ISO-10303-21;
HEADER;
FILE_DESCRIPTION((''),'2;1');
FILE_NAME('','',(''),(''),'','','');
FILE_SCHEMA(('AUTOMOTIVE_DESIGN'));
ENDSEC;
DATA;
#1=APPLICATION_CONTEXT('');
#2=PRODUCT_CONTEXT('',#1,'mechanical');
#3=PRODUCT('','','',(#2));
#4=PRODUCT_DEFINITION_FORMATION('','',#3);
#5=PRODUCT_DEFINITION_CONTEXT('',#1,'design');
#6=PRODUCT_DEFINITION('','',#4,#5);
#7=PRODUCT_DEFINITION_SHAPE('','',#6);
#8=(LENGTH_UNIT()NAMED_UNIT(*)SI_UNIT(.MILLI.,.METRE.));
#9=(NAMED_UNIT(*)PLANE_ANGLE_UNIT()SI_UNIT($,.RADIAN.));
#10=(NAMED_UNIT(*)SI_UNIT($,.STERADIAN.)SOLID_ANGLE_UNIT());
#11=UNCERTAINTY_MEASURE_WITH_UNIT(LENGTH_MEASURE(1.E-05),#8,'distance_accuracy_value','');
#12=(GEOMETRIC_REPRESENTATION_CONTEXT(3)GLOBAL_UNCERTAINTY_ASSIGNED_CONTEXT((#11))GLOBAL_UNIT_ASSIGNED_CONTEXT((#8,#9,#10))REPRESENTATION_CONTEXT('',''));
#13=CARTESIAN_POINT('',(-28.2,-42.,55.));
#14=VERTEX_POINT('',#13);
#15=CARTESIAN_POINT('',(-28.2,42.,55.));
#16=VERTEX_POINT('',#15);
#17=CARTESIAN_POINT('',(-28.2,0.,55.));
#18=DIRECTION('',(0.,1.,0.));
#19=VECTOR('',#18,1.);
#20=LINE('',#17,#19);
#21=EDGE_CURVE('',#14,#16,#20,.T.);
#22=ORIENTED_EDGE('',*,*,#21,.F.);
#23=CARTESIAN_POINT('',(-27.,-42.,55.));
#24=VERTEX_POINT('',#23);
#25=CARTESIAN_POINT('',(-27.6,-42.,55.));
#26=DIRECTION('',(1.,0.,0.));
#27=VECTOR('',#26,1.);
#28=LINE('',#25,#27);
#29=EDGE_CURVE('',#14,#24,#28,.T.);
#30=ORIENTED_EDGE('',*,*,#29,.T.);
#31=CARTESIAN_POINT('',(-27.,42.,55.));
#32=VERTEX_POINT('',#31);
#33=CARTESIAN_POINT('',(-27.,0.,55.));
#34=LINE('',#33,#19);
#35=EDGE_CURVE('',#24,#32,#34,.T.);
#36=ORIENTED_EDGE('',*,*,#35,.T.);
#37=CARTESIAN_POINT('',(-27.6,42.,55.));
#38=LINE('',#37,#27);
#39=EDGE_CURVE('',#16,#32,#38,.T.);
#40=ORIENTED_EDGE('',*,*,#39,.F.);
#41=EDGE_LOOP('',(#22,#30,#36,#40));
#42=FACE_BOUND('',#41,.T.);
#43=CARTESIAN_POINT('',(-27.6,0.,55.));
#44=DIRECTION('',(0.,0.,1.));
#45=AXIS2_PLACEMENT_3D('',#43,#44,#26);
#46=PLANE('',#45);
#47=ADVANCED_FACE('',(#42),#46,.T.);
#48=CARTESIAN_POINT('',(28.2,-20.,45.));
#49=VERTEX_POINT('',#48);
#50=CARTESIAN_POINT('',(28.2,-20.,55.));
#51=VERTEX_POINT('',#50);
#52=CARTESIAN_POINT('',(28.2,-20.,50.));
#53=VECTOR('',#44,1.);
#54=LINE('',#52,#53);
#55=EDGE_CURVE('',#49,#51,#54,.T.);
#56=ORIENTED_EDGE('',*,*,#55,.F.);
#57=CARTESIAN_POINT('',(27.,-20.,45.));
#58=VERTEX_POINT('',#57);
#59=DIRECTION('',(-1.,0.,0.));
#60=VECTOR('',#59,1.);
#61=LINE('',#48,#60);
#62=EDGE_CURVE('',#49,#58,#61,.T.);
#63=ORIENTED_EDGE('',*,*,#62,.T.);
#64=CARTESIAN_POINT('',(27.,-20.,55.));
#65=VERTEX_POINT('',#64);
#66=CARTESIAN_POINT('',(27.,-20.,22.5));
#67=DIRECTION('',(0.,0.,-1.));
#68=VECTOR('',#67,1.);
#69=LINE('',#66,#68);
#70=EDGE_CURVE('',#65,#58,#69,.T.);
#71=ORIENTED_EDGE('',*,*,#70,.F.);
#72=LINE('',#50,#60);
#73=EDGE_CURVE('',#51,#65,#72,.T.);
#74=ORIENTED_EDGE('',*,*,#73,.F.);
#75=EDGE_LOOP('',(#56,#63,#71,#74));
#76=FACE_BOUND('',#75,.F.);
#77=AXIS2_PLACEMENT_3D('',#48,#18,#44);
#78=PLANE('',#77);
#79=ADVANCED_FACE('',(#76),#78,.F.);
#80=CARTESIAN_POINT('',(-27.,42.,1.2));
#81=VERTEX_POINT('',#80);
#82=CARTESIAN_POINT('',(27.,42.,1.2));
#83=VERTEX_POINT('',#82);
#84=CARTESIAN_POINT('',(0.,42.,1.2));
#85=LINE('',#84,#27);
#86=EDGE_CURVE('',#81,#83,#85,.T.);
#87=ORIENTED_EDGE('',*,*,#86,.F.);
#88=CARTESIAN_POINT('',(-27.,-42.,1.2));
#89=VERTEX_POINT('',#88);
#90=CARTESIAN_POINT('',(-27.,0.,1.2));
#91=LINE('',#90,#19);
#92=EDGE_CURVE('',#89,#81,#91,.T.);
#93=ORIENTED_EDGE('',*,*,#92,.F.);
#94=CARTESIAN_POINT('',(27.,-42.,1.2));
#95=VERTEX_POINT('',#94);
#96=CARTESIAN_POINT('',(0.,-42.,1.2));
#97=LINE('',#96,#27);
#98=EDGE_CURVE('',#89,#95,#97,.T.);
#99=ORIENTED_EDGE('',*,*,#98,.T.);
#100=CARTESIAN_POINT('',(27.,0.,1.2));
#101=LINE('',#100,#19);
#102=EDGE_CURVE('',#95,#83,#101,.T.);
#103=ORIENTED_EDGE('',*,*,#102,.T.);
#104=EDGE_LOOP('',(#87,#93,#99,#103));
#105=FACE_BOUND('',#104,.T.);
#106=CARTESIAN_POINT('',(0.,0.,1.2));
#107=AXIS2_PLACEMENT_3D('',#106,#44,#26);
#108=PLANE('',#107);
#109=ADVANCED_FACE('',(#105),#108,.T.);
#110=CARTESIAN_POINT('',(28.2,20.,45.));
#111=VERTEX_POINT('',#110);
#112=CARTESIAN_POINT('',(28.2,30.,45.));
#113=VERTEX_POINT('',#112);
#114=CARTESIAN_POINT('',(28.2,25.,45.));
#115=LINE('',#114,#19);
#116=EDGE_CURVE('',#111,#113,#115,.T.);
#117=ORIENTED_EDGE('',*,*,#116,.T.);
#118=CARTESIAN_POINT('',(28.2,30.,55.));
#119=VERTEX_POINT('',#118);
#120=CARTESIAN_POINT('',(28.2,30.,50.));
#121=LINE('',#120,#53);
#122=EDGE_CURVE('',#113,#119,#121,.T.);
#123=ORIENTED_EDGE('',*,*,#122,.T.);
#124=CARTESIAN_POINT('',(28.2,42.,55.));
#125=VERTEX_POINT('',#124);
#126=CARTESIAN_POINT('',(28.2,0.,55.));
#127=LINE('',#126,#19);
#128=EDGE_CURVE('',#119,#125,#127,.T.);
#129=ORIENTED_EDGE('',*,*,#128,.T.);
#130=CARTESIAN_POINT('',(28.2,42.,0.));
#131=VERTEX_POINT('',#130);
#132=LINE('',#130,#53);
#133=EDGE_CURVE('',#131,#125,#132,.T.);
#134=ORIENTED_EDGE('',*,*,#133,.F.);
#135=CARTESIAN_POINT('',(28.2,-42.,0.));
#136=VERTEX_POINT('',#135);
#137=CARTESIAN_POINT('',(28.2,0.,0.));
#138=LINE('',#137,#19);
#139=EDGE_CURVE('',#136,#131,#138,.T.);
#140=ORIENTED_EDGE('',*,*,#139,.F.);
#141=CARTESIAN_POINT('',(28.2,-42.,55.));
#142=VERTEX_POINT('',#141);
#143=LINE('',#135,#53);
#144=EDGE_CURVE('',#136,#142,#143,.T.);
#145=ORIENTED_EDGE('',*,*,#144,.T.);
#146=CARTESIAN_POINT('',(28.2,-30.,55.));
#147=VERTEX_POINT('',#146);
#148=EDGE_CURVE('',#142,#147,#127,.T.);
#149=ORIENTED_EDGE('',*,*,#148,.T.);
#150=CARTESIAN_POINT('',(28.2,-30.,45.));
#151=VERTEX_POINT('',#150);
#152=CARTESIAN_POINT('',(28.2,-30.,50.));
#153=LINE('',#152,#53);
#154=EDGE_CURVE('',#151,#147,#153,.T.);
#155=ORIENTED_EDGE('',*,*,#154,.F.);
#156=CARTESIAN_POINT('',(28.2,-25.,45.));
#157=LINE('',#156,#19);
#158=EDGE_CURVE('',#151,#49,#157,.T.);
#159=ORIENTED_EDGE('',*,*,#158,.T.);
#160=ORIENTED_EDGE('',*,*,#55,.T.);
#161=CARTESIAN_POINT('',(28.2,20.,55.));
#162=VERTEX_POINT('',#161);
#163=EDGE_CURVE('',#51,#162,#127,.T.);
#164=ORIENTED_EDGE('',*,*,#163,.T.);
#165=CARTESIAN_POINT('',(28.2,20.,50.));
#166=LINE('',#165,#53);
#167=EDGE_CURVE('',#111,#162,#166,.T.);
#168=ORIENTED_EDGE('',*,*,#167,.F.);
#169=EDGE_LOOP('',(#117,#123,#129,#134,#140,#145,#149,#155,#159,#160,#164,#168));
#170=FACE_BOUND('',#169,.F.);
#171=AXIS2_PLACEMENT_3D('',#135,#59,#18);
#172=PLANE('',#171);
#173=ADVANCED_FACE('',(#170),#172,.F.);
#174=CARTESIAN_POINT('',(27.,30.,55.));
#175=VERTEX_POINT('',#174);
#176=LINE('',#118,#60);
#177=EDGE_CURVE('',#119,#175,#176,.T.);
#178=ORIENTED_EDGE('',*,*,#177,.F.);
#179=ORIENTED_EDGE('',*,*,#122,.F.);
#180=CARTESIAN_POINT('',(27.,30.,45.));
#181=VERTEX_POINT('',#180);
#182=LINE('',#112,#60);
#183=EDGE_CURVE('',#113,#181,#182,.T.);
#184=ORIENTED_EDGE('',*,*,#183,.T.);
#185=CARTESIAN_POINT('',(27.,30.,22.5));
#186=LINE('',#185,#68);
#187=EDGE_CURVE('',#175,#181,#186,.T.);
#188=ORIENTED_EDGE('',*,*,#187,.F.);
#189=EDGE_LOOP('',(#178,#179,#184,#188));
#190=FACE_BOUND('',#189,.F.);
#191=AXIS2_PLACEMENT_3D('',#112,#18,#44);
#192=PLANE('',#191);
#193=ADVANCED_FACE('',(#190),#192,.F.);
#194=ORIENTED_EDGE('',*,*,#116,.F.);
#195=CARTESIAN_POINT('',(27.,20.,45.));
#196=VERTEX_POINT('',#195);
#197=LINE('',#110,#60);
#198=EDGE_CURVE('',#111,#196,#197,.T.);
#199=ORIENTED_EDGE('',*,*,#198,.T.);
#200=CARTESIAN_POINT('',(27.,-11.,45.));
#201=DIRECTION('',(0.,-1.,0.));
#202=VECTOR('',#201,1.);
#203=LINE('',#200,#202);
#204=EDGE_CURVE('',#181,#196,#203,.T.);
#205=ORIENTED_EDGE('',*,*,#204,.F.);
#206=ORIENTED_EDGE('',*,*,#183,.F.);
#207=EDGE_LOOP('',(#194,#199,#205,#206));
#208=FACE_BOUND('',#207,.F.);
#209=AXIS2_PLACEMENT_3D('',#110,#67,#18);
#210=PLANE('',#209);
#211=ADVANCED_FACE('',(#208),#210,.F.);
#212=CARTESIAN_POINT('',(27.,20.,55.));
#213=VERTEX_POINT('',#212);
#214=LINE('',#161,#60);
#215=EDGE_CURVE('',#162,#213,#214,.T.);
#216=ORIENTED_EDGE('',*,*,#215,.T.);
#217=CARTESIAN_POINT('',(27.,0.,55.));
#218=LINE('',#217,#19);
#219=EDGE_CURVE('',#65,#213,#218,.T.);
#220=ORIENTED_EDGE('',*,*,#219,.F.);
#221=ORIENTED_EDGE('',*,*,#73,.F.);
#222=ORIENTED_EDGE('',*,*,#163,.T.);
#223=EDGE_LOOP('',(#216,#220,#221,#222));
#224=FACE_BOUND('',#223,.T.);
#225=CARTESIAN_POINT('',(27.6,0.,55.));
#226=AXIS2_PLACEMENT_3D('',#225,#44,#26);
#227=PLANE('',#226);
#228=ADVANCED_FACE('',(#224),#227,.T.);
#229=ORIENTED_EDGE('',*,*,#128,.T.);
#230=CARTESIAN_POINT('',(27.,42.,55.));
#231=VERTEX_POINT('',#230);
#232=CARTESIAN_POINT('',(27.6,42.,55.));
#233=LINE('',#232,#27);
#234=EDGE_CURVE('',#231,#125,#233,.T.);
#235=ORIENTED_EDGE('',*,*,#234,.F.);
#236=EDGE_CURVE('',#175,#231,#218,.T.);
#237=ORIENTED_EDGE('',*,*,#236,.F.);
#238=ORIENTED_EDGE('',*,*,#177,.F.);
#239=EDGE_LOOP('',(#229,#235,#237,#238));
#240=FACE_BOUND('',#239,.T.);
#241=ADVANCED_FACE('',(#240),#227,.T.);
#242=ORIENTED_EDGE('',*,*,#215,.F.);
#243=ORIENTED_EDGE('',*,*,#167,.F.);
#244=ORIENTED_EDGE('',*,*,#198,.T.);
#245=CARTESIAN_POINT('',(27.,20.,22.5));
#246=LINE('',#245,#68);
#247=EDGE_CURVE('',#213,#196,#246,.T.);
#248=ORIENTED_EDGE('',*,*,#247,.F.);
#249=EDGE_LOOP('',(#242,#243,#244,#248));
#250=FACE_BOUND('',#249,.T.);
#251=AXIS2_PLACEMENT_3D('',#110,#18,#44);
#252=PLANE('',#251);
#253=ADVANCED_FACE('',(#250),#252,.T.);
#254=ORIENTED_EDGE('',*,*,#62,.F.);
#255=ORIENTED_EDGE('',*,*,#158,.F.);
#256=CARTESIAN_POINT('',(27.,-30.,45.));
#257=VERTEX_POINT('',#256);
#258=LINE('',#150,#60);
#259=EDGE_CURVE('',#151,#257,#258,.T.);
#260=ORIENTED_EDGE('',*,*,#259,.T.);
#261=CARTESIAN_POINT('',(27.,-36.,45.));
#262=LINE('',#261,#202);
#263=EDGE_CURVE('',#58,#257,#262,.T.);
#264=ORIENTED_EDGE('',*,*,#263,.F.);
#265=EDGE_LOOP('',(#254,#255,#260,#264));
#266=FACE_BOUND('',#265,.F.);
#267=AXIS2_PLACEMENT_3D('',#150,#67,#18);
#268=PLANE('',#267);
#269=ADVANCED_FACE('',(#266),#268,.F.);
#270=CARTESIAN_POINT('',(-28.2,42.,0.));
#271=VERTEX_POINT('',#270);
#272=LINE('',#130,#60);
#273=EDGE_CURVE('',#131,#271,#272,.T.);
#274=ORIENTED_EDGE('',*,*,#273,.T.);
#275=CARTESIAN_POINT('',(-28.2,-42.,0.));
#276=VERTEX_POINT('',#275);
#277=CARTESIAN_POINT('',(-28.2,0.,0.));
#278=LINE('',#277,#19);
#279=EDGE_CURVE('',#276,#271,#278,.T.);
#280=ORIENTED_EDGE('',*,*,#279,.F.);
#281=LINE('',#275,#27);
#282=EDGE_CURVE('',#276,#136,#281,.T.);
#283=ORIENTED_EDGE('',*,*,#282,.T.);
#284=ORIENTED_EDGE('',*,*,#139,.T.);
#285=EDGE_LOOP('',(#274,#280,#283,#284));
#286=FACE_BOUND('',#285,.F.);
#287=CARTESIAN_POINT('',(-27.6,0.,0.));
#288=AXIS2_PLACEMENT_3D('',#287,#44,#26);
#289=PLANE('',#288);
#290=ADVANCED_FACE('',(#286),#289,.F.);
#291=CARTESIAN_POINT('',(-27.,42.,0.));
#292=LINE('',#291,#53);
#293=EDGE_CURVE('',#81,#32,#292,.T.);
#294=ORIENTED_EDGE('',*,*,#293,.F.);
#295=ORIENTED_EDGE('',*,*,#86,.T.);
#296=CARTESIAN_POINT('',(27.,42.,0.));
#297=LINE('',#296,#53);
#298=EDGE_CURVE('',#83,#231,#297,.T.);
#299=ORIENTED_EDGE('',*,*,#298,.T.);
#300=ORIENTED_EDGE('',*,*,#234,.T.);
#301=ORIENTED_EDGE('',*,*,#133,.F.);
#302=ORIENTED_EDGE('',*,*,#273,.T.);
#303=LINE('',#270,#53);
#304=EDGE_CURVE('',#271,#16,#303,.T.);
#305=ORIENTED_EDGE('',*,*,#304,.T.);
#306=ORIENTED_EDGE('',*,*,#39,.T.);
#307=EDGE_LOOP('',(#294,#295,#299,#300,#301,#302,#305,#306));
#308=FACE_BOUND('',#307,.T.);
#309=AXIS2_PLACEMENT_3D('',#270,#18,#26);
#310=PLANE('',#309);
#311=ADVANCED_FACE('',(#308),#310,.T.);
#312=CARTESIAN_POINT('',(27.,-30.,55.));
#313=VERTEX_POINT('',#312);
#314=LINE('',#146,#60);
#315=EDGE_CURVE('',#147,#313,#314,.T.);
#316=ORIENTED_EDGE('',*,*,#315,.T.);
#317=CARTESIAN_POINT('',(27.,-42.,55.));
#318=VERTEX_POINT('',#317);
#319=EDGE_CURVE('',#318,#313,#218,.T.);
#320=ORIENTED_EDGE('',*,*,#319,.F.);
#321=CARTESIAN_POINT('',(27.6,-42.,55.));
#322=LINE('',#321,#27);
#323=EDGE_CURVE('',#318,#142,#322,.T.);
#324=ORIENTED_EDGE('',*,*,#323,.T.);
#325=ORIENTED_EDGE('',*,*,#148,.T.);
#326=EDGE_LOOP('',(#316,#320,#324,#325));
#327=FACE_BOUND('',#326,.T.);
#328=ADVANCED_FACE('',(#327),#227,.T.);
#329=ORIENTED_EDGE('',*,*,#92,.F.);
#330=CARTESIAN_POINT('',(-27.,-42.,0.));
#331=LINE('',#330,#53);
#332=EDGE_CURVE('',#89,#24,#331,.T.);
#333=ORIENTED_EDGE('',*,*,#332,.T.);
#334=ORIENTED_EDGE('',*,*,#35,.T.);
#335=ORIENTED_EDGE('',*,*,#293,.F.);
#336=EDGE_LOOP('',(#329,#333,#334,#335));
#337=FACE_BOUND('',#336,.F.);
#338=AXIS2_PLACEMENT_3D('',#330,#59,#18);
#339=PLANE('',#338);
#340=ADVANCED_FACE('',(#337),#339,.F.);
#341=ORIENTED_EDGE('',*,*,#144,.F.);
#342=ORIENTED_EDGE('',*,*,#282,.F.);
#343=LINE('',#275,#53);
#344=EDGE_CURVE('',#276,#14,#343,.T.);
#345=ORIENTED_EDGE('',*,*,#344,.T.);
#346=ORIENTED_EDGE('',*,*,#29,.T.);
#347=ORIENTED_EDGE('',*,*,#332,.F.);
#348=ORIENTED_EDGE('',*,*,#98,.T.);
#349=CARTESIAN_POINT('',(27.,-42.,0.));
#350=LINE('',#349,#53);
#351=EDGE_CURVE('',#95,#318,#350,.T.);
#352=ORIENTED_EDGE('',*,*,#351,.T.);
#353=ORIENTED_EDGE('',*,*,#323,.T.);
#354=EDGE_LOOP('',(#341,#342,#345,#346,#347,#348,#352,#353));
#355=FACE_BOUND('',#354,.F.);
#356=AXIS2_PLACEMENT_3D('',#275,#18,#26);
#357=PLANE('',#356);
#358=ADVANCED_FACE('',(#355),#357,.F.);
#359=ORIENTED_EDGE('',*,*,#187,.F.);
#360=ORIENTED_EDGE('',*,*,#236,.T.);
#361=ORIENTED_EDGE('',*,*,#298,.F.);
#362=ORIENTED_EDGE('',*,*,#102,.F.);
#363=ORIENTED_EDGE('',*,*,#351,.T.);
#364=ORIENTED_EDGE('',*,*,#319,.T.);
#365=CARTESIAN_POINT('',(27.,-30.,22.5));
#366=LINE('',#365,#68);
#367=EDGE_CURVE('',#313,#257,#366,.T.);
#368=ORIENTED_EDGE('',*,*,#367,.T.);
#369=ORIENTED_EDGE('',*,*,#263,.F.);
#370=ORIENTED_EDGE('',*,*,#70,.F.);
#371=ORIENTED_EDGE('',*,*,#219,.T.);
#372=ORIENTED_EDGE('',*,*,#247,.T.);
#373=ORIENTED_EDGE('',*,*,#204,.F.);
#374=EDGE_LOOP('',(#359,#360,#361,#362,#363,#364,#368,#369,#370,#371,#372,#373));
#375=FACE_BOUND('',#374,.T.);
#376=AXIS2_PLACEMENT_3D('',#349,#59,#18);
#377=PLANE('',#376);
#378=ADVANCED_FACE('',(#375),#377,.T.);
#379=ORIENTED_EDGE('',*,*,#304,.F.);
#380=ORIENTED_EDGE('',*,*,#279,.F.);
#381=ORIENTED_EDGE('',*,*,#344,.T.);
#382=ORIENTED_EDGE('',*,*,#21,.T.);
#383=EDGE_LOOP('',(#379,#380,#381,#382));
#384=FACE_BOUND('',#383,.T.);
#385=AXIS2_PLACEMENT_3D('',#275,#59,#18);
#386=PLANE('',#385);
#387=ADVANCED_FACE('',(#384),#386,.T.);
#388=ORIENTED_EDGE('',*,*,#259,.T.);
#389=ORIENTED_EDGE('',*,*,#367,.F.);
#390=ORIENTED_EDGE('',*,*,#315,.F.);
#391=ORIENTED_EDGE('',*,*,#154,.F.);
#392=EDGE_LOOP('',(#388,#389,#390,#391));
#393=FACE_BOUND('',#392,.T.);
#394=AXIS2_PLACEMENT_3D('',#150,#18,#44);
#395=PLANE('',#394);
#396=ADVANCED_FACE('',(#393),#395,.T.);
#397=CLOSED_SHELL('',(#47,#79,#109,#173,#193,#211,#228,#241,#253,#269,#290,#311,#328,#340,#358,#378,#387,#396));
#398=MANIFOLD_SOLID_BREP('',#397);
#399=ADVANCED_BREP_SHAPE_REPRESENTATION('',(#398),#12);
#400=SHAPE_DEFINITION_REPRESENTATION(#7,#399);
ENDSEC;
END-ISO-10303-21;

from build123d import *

# Parameters (mm, degrees)
F0_W     = 54
F0_H     = 84
F1_DEPTH = 1.2
F0_W_2   = 1.2
F2_DEPTH = 55
F3_W     = 10
F3_H     = 10
F4_DEPTH = 25


with BuildPart() as f1:
    # F0 (on Top) → F1 (new body)
    with BuildSketch(Plane.XY):
        Rectangle(F0_W, F0_H)
    extrude(amount=F1_DEPTH)

    # F0 (on Top) → F2 (join)
    with BuildSketch(Plane.XY):
        with Locations((-27.6, 0)):
            Rectangle(F0_W_2, F0_H)
        with Locations((27.6, 0)):
            Rectangle(F0_W_2, F0_H)
    extrude(amount=F2_DEPTH)

    # F3 (on face) → F4 (cut)
    with BuildSketch(Plane.YZ.offset(28.2)):
        with Locations((-25, 50)):
            Rectangle(F3_W, F3_H)
        with Locations((25, 50)):
            Rectangle(F3_W, F3_H)
    extrude(amount=-F4_DEPTH, mode=Mode.SUBTRACT)


solid = f1.part
